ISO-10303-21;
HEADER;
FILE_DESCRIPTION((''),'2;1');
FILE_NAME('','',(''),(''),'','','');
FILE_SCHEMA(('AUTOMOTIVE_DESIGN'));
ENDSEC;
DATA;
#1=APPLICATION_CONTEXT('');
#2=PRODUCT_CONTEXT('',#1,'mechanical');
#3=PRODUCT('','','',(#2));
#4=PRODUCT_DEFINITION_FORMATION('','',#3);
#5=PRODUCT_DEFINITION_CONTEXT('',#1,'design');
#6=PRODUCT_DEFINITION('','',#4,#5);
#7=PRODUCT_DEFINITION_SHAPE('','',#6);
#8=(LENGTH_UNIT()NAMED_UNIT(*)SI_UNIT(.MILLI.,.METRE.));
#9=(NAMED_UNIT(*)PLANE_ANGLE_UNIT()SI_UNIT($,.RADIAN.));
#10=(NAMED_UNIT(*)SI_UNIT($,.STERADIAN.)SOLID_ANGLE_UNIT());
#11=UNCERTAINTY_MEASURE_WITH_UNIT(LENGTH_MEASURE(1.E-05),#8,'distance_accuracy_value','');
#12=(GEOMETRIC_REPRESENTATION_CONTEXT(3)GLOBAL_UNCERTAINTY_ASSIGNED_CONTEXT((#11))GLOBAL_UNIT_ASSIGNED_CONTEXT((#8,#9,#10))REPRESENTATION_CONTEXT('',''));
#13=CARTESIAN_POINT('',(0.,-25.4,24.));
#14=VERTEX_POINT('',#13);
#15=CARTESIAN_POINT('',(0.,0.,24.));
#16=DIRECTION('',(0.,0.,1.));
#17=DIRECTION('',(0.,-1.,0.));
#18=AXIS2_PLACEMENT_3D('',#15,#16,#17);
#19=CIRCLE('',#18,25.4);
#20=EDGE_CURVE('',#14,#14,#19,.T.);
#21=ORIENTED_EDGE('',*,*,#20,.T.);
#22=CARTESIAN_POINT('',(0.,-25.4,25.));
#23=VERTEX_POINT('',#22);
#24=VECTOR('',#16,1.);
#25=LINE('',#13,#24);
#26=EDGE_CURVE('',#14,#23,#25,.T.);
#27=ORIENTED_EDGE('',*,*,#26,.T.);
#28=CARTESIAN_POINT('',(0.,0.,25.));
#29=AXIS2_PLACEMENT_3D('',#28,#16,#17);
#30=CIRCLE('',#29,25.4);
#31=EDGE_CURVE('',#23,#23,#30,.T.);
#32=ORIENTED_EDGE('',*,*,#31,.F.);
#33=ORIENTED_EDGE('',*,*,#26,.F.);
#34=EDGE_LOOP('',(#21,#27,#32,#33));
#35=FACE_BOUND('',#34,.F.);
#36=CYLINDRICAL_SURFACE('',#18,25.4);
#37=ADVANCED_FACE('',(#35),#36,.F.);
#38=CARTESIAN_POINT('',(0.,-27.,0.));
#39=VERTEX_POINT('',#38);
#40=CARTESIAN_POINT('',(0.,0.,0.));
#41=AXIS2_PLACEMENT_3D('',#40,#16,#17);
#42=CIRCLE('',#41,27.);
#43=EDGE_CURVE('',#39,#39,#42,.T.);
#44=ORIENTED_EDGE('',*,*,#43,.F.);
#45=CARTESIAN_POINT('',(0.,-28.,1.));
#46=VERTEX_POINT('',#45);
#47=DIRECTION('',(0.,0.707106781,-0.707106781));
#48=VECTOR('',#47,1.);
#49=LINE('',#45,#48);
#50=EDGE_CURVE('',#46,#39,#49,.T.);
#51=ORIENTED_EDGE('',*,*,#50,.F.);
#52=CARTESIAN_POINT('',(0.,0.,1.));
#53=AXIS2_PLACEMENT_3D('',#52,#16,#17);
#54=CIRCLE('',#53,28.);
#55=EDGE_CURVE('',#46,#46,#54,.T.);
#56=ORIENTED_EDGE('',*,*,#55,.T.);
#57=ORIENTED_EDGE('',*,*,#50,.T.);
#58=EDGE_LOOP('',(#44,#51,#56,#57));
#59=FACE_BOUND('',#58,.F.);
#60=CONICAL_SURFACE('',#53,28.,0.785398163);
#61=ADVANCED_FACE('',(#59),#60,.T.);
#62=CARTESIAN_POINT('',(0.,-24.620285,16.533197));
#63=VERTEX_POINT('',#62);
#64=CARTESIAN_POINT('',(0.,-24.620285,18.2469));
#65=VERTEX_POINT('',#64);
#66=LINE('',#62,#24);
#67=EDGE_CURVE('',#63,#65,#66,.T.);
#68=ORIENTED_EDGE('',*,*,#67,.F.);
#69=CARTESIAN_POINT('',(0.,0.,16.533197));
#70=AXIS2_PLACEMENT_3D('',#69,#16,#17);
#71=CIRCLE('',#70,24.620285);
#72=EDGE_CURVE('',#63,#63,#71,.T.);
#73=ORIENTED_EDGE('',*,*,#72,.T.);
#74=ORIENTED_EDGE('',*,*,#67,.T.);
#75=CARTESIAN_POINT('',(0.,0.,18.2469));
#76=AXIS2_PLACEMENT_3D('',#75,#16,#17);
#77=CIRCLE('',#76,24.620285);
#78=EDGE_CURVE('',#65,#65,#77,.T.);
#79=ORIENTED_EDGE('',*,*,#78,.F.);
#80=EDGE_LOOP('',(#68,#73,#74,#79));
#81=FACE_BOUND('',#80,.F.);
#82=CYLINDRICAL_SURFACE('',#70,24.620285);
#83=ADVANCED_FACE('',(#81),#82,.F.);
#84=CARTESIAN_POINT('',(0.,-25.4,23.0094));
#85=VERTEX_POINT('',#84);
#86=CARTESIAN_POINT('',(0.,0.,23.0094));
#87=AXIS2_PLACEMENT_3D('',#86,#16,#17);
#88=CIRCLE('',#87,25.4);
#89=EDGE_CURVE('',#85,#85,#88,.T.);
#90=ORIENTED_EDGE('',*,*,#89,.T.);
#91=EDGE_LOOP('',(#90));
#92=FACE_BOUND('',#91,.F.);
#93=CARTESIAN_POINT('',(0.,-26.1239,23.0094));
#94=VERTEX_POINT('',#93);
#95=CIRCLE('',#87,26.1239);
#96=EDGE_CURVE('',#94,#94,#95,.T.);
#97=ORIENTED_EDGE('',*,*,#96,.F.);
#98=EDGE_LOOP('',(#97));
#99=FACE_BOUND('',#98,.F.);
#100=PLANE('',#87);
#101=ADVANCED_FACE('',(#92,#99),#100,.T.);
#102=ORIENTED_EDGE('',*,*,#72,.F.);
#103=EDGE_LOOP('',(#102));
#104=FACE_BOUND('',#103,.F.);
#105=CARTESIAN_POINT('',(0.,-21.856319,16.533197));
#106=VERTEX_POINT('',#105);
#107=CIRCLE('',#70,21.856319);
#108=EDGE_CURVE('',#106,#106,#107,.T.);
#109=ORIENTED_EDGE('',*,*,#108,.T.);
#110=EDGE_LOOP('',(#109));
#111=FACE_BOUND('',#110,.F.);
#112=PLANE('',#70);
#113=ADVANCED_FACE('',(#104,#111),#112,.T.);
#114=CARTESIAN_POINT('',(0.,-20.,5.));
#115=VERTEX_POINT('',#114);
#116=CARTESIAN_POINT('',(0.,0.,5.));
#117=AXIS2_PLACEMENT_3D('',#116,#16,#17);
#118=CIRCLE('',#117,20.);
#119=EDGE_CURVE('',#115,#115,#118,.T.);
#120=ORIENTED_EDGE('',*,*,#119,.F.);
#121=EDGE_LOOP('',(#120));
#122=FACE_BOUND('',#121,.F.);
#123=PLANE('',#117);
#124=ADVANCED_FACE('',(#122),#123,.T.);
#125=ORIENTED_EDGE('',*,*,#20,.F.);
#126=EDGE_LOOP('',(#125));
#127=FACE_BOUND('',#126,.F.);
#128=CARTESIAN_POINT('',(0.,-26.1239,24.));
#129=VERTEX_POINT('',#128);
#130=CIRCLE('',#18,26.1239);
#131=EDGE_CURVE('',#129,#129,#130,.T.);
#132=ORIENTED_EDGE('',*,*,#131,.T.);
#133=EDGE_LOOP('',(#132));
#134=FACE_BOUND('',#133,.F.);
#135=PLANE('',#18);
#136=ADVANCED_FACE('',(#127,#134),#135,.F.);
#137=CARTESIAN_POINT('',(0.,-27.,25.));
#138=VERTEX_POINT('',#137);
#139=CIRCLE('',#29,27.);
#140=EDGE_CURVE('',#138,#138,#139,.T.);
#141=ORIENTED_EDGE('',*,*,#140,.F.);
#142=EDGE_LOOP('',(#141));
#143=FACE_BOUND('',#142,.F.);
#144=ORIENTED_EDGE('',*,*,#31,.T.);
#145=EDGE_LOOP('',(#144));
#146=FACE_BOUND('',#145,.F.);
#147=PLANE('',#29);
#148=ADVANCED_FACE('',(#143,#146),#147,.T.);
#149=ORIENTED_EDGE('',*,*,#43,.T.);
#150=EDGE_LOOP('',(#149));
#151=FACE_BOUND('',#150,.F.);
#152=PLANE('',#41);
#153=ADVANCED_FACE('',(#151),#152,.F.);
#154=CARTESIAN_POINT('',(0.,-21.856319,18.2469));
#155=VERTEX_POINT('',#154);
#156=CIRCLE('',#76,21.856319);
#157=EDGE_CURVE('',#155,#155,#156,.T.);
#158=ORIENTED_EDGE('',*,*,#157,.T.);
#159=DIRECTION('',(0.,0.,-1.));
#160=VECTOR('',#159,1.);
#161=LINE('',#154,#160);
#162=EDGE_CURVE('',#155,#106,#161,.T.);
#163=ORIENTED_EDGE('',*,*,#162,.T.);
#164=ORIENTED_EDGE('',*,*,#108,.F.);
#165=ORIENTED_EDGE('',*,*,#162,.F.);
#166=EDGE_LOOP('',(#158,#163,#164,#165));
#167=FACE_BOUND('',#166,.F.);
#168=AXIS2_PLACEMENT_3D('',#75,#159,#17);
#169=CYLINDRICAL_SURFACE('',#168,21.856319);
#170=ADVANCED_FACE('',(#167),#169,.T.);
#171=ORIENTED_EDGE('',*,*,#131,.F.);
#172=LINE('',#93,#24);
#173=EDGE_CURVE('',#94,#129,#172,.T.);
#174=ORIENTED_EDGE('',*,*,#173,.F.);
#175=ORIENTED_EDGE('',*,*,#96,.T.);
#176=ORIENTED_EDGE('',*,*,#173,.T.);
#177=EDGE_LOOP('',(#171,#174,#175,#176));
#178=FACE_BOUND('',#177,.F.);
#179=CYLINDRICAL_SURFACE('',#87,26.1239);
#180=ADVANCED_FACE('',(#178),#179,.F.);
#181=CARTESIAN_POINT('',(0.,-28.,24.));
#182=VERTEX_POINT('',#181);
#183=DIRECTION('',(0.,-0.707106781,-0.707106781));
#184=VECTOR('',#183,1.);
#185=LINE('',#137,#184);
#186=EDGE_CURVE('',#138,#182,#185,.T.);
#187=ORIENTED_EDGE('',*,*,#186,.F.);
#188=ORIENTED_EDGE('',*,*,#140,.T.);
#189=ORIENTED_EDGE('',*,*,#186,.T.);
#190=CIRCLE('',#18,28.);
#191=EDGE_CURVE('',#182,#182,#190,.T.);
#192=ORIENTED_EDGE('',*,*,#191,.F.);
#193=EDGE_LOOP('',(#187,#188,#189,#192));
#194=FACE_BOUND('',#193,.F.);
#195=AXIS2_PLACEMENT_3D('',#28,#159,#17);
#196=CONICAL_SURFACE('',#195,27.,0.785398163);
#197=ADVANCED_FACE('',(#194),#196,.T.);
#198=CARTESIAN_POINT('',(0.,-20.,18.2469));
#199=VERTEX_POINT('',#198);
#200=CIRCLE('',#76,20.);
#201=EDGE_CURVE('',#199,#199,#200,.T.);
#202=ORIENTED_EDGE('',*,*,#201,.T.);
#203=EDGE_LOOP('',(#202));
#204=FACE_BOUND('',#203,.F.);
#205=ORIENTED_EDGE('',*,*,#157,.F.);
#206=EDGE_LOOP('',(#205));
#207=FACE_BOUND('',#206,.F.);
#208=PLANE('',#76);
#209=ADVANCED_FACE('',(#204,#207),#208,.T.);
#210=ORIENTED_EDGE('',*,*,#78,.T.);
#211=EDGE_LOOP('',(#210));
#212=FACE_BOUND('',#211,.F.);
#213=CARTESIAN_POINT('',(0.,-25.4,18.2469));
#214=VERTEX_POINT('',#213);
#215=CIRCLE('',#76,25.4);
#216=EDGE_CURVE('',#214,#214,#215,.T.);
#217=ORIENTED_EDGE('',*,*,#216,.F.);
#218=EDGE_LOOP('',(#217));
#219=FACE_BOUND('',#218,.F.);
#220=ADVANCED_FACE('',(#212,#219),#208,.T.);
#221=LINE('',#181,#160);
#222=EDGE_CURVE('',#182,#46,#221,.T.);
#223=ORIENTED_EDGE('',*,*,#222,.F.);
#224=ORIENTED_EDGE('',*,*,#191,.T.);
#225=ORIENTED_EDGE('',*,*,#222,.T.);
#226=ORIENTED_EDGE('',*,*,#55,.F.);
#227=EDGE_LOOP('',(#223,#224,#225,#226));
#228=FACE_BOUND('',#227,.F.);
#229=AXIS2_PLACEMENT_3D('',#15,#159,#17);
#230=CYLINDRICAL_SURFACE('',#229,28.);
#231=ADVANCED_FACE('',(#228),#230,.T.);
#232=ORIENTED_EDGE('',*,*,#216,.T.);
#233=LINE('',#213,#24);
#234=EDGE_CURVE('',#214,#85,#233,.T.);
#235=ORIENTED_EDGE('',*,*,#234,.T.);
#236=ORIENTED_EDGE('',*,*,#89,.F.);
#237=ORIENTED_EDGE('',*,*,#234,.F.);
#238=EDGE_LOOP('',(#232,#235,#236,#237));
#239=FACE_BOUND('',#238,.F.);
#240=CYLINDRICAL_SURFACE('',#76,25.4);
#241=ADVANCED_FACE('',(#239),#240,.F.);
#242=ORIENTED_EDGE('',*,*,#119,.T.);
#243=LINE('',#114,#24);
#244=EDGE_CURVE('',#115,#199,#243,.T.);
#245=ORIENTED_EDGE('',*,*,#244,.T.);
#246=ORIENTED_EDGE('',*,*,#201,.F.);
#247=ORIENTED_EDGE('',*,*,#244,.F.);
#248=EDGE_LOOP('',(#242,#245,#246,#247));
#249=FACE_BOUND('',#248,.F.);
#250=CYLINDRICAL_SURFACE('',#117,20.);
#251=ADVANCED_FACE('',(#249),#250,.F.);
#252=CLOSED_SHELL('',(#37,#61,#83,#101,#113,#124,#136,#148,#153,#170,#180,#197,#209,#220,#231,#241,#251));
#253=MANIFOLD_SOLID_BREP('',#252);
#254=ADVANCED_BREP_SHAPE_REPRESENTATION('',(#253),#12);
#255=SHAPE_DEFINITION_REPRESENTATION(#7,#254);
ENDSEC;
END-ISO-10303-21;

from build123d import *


with BuildPart() as f1:
    # F0 (on Right) → F1 (revolve)
    with BuildSketch(Plane.YZ):
        Polygon((-25.4, 24), (-25.4, 25), (-27, 25), (-28, 24), (-28, 1), (-27, 0), (0, 0), (0, 5), (-20, 5), (-20, 18.2469), (-21.856319, 18.2469), (-21.856319, 16.533197), (-24.620285, 16.533197), (-24.620285, 18.2469), (-25.4, 18.2469), (-25.4, 23.0094), (-26.1239, 23.0094), (-26.1239, 24), align=None)
    revolve(axis=Axis((0, 0, 2.5), (0, 0, 1)))


solid = f1.part
